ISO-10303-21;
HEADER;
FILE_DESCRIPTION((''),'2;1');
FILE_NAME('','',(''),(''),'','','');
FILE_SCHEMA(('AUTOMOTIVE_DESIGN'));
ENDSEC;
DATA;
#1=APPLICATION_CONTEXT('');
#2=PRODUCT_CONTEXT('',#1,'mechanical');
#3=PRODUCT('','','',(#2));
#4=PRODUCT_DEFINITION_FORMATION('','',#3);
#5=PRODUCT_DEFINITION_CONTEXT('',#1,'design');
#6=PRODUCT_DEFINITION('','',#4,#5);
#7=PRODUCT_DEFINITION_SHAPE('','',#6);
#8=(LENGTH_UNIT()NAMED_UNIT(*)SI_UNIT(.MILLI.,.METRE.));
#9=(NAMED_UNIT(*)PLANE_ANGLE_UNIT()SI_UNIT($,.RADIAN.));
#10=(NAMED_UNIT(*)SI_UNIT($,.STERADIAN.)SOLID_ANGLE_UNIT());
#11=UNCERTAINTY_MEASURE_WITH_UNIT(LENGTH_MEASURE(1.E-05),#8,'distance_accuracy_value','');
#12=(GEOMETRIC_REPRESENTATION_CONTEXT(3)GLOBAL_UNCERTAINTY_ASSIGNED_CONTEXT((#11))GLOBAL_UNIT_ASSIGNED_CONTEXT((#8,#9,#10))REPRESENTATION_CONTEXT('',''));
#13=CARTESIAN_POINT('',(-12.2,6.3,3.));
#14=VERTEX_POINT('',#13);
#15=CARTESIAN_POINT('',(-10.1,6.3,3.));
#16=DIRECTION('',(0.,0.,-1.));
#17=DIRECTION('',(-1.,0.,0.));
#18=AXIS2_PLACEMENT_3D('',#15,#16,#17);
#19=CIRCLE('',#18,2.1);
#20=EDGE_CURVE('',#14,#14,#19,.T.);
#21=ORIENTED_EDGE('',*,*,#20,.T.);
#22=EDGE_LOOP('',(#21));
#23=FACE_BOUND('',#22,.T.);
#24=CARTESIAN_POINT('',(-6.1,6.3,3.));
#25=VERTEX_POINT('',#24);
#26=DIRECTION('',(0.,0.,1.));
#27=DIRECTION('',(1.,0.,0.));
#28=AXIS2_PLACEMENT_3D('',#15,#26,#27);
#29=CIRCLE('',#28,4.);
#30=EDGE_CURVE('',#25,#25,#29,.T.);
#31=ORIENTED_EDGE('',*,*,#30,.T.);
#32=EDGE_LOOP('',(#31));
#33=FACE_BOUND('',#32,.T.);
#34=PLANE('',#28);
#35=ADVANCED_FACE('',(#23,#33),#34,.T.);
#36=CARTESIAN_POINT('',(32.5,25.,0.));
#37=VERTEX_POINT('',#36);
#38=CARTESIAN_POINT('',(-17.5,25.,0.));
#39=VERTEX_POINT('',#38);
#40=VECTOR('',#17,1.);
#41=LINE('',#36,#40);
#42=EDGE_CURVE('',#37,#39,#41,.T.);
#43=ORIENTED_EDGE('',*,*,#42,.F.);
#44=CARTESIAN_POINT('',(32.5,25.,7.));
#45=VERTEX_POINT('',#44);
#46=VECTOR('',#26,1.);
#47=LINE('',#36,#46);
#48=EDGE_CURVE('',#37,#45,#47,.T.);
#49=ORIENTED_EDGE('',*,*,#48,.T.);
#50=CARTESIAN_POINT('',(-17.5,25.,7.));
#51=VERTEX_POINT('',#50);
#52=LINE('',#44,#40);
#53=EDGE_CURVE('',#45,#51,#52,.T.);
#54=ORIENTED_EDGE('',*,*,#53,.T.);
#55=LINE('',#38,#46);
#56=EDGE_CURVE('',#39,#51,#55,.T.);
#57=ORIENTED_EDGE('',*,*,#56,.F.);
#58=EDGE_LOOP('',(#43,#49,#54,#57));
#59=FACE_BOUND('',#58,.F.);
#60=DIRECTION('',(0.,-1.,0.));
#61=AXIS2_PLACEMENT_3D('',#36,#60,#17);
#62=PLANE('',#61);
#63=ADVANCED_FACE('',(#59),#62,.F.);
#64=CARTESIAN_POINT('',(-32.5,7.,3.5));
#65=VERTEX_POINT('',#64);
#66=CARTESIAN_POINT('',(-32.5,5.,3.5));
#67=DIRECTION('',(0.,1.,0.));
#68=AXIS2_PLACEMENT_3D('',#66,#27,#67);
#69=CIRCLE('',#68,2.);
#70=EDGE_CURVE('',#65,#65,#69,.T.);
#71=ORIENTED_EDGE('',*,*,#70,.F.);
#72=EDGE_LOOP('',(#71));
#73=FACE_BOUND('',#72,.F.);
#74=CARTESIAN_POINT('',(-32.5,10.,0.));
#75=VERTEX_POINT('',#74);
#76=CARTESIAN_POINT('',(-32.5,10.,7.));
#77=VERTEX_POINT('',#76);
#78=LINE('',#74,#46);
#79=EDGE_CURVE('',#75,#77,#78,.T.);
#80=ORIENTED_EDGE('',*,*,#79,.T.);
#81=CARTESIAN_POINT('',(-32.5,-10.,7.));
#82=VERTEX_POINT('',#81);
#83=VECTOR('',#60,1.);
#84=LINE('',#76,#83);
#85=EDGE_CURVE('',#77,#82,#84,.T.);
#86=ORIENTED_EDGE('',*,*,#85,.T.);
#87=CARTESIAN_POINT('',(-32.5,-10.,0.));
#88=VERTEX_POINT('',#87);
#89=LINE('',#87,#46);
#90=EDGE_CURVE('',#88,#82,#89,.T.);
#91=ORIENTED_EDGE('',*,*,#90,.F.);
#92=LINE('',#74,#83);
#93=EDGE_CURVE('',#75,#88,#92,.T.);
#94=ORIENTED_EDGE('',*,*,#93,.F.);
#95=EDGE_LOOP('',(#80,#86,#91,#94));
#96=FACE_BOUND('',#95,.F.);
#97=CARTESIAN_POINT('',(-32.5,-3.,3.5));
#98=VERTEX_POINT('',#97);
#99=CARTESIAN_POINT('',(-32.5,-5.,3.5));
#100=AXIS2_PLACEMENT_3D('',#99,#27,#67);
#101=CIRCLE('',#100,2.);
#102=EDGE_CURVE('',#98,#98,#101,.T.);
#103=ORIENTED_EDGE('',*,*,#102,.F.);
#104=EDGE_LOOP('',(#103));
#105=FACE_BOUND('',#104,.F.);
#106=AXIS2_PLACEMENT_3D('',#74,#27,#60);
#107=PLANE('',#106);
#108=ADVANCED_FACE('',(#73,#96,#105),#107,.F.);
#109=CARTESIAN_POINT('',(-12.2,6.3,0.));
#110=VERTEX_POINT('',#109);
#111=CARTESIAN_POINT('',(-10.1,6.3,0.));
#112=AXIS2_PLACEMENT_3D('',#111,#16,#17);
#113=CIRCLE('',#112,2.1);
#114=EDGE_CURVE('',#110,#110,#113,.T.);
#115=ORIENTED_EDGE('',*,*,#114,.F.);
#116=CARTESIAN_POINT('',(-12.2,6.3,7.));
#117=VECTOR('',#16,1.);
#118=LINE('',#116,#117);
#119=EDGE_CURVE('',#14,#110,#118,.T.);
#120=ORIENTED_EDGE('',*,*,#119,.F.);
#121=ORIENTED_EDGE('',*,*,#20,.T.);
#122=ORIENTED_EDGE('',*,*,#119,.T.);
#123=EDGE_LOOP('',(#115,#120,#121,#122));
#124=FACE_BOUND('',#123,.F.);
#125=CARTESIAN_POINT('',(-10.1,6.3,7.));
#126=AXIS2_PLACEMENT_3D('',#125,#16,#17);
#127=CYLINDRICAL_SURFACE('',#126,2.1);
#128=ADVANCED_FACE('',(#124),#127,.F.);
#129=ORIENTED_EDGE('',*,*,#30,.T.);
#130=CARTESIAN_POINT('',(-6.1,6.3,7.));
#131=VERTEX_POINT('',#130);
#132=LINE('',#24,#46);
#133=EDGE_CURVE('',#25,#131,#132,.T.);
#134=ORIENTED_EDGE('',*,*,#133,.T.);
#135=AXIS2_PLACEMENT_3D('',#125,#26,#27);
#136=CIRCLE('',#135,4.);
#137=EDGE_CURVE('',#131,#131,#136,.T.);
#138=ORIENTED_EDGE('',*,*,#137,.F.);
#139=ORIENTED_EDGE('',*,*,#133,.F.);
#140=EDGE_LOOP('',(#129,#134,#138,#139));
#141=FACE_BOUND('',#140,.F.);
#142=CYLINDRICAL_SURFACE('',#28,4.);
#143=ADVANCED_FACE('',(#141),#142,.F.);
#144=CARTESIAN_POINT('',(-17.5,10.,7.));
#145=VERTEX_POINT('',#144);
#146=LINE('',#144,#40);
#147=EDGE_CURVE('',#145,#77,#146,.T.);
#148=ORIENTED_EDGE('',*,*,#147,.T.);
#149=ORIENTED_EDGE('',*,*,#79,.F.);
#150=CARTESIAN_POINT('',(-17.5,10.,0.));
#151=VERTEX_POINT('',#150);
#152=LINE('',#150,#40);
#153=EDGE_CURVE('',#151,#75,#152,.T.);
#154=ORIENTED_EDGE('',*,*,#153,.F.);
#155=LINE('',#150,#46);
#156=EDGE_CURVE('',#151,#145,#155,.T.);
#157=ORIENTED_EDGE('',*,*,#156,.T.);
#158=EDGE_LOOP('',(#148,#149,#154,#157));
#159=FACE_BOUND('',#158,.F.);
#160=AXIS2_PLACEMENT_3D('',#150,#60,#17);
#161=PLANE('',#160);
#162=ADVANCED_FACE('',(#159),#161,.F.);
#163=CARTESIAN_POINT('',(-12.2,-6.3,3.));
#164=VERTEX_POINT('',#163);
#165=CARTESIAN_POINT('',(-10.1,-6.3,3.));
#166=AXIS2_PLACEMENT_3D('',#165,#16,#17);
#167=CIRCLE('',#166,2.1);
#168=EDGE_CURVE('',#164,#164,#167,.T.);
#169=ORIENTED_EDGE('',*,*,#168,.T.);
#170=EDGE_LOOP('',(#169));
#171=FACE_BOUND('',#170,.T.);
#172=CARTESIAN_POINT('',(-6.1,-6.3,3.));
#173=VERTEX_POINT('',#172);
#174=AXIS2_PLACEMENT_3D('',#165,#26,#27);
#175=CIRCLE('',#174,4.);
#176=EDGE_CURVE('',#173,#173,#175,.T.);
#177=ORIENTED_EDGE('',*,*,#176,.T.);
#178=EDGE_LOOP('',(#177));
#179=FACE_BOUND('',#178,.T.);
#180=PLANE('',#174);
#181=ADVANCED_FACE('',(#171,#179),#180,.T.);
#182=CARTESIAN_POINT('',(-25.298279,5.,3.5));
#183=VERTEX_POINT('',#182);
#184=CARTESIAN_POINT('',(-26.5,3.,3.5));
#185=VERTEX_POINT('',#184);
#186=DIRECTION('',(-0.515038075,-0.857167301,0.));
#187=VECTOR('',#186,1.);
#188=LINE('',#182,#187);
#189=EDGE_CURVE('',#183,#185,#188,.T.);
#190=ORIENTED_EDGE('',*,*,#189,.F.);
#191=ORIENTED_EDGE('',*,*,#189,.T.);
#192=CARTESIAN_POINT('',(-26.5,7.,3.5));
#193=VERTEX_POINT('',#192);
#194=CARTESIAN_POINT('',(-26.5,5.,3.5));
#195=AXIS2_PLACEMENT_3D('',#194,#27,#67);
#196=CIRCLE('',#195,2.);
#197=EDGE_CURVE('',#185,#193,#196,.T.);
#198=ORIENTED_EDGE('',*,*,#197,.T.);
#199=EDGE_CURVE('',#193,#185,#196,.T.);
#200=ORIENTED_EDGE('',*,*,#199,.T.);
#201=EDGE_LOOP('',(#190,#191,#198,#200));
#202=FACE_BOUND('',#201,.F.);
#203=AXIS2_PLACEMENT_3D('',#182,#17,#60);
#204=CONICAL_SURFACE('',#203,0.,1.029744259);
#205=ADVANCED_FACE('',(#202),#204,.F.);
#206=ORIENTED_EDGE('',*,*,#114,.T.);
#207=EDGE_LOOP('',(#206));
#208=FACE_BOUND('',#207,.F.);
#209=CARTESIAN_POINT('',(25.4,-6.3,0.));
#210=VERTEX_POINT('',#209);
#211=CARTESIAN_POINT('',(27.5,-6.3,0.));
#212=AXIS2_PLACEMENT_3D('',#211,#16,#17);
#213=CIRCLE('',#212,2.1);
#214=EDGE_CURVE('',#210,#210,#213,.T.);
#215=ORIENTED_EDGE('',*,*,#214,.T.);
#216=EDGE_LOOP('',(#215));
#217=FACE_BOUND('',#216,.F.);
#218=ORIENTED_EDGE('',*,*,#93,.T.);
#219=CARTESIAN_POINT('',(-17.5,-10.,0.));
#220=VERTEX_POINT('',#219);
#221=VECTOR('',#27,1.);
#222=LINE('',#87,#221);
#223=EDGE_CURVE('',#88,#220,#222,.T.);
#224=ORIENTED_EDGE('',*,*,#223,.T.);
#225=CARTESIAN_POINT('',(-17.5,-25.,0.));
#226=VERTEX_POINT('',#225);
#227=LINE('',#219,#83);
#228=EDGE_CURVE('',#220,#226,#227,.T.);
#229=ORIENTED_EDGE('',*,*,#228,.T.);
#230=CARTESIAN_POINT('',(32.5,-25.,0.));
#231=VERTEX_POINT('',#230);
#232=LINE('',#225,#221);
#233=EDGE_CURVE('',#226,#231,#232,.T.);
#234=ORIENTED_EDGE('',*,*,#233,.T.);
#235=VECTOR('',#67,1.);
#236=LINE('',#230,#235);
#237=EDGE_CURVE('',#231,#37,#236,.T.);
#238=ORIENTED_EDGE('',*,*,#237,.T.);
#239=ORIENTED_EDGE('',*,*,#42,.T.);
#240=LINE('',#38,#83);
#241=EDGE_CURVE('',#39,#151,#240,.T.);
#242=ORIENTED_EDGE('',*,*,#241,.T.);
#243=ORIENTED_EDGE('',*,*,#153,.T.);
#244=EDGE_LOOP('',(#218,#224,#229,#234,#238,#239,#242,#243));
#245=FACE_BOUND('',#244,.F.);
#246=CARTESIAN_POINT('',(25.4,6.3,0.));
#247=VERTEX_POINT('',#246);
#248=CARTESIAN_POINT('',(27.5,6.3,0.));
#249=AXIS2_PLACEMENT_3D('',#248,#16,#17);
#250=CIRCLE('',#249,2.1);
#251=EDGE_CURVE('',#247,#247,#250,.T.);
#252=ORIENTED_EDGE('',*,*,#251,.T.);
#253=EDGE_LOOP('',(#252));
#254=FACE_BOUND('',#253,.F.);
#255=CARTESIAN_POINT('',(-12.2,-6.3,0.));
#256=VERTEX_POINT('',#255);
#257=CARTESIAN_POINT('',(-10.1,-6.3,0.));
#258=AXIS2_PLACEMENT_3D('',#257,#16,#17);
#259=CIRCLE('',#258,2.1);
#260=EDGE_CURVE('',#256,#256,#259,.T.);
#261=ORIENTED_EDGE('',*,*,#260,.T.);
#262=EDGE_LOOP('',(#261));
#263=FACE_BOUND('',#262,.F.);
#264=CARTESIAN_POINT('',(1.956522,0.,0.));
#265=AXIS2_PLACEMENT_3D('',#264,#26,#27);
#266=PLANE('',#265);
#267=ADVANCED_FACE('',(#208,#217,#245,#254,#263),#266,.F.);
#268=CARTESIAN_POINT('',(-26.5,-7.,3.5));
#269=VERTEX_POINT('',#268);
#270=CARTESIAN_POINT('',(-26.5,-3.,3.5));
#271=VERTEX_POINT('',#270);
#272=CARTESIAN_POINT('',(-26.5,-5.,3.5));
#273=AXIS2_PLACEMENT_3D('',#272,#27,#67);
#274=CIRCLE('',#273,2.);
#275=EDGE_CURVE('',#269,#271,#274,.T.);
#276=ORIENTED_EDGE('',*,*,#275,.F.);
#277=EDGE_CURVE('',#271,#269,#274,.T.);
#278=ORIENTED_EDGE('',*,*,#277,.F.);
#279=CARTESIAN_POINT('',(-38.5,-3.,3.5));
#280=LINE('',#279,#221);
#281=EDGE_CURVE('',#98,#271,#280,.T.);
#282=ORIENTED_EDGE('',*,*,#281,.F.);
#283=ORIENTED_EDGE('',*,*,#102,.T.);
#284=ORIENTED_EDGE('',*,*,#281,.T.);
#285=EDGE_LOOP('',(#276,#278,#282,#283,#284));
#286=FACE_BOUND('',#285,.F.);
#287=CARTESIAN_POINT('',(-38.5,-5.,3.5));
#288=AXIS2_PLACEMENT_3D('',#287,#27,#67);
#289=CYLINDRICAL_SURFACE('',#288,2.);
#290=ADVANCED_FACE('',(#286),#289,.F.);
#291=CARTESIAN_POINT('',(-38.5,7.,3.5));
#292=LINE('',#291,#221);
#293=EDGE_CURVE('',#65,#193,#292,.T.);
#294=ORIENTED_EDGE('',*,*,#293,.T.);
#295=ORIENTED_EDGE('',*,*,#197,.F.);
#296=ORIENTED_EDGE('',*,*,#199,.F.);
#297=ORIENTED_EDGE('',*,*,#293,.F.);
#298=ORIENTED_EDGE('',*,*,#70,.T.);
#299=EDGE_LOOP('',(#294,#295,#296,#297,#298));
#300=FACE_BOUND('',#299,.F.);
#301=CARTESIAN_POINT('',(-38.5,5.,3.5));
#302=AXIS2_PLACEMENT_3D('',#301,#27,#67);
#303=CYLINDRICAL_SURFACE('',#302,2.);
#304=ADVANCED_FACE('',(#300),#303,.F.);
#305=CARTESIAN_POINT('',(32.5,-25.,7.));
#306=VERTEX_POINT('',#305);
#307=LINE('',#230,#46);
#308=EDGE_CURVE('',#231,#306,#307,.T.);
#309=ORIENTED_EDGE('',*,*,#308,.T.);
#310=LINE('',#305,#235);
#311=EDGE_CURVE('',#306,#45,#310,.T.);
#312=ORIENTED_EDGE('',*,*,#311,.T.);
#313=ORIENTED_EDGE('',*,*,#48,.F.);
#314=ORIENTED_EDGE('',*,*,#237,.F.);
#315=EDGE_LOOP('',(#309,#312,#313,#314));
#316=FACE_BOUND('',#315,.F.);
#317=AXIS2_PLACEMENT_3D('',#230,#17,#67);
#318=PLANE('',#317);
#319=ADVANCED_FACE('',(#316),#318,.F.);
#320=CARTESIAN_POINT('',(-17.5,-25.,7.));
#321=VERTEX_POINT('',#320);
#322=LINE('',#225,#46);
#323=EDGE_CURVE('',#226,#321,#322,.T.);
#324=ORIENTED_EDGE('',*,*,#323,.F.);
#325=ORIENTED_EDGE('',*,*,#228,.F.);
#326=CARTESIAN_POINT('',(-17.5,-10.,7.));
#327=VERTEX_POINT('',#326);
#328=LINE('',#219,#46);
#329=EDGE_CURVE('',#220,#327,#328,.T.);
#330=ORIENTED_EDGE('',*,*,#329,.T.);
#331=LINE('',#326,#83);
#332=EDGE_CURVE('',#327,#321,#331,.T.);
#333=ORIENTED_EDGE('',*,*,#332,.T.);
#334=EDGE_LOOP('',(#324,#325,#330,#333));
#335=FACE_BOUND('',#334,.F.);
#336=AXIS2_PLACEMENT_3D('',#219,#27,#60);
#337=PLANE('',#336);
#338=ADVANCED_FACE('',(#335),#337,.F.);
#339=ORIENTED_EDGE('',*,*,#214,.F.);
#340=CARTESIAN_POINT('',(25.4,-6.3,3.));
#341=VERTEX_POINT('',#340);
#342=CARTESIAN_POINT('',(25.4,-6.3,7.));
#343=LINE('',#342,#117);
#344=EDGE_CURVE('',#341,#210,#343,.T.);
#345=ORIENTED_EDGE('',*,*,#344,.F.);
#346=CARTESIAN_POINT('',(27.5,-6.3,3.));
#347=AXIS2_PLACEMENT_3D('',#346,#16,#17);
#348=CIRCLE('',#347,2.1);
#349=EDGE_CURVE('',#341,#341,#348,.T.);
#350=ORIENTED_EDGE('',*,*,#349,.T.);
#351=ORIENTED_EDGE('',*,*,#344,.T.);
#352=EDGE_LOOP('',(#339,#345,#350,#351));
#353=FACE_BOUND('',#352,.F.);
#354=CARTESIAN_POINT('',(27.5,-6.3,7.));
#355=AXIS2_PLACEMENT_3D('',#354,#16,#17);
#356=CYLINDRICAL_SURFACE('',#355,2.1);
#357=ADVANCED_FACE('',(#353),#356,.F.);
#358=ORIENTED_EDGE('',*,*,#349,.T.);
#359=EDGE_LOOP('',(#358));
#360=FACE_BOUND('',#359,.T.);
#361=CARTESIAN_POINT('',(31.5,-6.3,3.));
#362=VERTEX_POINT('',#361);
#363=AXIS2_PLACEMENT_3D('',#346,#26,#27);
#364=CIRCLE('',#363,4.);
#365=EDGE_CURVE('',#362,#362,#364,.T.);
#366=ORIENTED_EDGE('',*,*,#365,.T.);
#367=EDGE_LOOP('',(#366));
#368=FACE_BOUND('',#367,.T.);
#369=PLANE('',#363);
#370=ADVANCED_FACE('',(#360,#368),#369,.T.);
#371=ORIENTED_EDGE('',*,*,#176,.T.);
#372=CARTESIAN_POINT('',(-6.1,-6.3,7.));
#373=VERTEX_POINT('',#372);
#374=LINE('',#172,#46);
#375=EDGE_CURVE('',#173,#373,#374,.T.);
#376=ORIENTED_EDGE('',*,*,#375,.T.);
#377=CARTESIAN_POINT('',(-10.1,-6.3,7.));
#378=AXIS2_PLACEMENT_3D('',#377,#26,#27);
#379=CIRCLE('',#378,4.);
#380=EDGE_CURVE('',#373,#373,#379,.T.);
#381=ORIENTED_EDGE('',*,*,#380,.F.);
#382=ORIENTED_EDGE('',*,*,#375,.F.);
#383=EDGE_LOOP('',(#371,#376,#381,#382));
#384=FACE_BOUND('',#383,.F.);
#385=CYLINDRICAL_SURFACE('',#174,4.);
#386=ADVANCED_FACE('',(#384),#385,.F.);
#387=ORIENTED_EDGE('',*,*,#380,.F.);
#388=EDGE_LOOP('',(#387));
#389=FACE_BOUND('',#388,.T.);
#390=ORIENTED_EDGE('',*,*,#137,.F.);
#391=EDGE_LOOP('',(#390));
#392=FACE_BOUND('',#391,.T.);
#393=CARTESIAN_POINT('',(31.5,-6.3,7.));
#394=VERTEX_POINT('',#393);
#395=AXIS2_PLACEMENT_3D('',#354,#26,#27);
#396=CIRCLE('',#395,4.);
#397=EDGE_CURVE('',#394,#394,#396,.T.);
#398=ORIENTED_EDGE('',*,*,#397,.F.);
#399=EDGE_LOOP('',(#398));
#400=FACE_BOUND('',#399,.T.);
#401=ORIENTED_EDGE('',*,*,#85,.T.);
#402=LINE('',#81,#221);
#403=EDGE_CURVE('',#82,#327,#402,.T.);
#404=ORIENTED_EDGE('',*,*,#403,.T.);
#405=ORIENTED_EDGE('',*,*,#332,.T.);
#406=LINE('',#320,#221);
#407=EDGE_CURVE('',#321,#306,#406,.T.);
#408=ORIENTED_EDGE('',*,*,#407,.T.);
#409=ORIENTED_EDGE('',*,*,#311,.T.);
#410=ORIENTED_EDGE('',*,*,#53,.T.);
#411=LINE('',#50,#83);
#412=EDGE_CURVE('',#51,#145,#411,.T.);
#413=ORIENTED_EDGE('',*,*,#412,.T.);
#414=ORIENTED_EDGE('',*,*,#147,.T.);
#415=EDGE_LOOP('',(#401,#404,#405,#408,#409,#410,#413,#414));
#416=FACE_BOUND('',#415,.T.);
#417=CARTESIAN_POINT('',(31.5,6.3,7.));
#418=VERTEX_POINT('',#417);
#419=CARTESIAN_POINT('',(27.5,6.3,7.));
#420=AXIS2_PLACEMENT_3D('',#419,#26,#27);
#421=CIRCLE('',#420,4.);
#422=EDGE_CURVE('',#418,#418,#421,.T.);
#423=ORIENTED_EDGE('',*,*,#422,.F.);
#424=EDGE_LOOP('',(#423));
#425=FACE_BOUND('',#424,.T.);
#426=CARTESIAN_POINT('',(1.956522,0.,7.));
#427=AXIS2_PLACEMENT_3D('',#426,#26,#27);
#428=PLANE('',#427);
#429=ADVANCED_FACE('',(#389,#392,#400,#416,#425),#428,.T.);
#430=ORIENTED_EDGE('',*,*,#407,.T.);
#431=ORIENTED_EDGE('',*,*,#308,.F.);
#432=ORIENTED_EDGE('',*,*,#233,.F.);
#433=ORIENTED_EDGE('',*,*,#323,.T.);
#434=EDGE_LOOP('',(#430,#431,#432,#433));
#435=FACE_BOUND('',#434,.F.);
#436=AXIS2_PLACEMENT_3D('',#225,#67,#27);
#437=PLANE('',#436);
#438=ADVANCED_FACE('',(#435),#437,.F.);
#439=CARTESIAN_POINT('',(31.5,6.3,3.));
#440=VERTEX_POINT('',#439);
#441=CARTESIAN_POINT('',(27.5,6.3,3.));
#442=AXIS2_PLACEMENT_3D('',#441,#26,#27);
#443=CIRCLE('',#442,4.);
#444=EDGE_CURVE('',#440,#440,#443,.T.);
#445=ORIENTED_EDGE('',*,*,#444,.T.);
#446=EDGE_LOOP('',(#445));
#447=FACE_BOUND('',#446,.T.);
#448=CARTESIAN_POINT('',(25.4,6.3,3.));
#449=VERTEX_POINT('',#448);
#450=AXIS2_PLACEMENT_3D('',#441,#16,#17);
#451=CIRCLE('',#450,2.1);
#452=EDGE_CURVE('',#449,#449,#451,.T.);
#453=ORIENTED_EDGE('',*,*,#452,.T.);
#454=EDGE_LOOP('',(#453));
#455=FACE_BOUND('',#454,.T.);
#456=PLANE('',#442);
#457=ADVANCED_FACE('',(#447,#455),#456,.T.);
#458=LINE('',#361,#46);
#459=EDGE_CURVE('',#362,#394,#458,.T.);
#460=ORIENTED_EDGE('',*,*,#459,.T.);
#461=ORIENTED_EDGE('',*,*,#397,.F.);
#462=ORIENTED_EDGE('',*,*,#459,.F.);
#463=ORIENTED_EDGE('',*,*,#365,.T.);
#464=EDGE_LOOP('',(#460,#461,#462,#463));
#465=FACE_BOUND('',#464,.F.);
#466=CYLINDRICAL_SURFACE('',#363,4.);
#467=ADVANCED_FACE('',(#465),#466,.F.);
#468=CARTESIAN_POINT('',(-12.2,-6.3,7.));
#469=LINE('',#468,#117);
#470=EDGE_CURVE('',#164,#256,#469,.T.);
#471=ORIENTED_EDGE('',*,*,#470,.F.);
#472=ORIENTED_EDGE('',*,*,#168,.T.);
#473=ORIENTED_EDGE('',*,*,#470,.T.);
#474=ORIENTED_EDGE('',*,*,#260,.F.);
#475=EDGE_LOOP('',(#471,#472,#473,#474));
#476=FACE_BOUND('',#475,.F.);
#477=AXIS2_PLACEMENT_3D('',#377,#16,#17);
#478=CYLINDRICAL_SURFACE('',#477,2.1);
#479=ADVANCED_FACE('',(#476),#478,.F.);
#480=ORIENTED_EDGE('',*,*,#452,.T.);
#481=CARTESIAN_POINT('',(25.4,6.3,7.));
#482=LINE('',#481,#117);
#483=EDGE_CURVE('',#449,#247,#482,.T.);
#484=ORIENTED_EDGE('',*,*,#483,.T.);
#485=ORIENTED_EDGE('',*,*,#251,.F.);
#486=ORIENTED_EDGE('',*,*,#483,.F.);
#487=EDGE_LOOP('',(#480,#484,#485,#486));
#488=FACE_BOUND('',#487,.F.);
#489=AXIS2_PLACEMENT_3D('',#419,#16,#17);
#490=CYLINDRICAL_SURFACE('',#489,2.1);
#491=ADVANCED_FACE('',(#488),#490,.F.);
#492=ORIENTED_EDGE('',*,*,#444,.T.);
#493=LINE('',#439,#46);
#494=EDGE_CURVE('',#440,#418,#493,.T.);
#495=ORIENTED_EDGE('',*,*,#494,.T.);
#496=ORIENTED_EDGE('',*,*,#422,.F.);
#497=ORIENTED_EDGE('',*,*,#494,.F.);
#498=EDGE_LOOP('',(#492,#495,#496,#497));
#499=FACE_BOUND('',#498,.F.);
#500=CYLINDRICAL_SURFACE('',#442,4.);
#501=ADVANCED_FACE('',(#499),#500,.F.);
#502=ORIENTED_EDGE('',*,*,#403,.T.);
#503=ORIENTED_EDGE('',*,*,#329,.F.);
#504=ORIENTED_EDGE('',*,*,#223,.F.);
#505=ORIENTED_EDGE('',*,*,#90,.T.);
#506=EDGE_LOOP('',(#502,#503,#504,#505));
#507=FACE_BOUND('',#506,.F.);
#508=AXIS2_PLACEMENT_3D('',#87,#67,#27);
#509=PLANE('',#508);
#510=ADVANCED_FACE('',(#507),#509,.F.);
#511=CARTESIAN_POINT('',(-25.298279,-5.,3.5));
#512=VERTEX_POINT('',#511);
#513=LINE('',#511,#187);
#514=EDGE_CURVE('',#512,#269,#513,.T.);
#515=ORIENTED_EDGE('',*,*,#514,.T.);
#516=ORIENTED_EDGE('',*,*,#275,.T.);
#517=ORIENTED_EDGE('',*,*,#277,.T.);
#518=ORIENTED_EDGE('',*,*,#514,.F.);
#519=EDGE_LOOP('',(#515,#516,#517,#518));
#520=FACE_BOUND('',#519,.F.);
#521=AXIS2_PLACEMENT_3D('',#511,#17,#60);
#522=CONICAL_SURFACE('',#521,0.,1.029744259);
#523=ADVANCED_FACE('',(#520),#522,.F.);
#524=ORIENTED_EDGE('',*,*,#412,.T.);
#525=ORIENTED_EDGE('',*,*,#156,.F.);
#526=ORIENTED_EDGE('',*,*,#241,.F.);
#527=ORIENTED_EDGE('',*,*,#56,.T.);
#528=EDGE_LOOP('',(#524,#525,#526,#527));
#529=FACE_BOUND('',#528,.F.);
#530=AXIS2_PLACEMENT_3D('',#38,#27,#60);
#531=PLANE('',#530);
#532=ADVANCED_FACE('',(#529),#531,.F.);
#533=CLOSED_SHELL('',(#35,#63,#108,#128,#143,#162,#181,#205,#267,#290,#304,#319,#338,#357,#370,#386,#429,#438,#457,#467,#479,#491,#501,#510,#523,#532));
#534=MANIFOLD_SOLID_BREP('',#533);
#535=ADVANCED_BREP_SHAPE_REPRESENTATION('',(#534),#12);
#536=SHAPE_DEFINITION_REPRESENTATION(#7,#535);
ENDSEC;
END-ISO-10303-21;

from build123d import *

# Parameters (mm, degrees)
F1_DEPTH       = 7
F3_D           = 4
F3_DEPTH       = 6
F3_TIP         = 1.2017212381
F5_D           = 4.2
F5_CBORE_D     = 8
F5_CBORE_DEPTH = 4


with BuildPart() as f1:
    # F0 (on Top) → F1 (new body)
    with BuildSketch(Plane.XY):
        Polygon((32.5, -25), (32.5, 25), (-17.5, 25), (-17.5, 10), (-32.5, 10), (-32.5, -10), (-17.5, -10), (-17.5, -25), align=None)
    extrude(amount=F1_DEPTH)

    # F3
    with Locations(Plane(origin=(-32.5, 0, 0), x_dir=(0, -1, 0), z_dir=(-1, 0, 0))):
        with Locations((-5, 3.5), (5, 3.5)):
            Hole(F3_D / 2, depth=F3_DEPTH)
            with Locations((0, 0, -(F3_DEPTH + F3_TIP / 2))):  # 118° drill point
                Cone(0, F3_D / 2, F3_TIP, mode=Mode.SUBTRACT)

    # F5 (through all)
    with Locations(Plane.XY.offset(7)):
        with Locations((-10.1, 6.3), (-10.1, -6.3), (27.5, -6.3), (27.5, 6.3)):
            CounterBoreHole(F5_D / 2, F5_CBORE_D / 2, F5_CBORE_DEPTH)


solid = f1.part
